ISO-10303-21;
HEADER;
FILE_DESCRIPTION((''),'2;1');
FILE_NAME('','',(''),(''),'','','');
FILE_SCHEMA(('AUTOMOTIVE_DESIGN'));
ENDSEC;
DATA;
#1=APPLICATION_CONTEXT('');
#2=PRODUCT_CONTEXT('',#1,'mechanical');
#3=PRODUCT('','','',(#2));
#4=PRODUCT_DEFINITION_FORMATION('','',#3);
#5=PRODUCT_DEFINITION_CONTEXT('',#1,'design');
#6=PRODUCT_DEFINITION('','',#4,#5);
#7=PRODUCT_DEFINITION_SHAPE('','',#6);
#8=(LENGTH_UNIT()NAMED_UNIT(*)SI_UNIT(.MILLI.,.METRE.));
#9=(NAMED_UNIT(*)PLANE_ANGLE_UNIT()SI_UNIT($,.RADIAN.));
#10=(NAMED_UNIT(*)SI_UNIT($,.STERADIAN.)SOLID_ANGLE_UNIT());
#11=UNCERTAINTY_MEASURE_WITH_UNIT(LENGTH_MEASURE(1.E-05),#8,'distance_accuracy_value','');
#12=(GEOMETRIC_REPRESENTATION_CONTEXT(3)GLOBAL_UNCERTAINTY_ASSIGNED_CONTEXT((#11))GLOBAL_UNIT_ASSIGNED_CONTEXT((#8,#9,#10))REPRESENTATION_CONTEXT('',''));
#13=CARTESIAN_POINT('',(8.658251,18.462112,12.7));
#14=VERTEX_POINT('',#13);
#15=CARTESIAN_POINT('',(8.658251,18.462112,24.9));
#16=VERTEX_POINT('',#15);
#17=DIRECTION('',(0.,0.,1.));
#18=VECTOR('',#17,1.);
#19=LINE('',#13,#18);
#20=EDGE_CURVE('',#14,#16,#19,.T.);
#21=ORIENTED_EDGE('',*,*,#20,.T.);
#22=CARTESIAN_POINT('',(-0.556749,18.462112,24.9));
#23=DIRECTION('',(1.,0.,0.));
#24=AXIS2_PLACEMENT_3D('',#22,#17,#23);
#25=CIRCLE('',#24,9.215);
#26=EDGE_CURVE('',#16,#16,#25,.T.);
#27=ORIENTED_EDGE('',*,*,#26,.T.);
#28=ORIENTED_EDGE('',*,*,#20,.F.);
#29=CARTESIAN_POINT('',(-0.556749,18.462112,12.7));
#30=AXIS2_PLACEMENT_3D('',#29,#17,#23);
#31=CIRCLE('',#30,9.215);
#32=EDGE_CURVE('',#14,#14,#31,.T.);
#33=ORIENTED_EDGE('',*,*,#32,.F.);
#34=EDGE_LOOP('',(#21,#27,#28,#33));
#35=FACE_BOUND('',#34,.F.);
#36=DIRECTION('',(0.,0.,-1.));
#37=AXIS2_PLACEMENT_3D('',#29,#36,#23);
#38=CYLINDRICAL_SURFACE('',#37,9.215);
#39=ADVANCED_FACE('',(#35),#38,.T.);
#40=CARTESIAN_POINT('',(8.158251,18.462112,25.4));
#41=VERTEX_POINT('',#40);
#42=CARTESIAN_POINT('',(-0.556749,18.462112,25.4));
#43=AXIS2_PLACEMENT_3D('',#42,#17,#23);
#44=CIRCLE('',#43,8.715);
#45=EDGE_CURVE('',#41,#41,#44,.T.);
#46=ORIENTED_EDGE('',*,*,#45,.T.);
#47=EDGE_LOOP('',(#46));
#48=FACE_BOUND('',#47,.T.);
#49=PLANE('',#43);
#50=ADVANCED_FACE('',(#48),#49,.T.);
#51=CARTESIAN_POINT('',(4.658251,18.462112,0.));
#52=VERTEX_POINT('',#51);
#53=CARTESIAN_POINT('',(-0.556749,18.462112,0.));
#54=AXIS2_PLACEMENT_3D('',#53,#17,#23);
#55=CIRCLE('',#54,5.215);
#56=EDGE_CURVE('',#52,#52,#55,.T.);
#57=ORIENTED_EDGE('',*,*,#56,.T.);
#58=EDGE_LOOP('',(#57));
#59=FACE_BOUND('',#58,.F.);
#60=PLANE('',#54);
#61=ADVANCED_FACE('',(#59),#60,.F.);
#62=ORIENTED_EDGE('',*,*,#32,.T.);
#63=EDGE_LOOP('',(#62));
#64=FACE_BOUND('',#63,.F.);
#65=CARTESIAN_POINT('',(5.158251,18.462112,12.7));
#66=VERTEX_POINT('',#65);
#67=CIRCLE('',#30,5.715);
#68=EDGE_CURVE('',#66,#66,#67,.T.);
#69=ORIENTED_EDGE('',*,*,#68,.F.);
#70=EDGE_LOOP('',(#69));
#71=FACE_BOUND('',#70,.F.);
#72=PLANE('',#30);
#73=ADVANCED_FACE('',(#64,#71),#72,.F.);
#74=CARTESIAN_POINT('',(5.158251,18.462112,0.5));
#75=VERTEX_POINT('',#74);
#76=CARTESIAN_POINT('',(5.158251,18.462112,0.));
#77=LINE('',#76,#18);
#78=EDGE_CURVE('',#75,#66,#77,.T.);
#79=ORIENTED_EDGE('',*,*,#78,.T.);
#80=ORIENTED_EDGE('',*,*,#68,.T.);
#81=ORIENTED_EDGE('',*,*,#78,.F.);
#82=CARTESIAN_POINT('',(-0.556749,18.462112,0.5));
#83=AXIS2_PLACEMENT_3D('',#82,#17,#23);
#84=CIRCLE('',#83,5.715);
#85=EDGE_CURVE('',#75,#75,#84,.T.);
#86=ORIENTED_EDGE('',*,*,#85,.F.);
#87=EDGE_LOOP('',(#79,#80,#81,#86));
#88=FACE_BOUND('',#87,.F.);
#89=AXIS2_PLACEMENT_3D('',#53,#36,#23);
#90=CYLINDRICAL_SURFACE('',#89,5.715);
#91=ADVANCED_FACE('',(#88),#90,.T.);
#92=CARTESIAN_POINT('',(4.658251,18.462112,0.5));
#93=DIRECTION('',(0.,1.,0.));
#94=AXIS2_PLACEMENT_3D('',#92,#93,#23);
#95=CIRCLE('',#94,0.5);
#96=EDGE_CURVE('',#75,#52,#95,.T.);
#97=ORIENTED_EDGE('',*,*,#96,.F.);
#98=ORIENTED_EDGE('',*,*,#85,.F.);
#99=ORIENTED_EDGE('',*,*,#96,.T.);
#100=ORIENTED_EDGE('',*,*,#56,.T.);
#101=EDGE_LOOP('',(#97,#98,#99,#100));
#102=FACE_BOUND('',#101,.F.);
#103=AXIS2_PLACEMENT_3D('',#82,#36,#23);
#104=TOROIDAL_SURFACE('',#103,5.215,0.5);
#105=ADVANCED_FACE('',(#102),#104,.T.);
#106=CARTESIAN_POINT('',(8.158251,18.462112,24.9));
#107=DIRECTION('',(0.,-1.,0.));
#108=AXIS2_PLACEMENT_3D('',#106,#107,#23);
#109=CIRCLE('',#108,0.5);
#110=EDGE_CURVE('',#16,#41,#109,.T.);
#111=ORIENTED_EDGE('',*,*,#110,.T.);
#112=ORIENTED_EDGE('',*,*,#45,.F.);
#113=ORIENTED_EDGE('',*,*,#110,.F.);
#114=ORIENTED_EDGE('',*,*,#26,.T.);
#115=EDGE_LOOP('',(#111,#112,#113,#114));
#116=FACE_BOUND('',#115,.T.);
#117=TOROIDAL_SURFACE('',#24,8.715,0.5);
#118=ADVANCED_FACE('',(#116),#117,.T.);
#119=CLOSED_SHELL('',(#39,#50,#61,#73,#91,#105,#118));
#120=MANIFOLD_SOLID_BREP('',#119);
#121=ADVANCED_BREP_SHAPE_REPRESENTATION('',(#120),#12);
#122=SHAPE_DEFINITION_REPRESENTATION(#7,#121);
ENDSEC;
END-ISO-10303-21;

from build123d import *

# Parameters (mm, degrees)
F0_R     = 5.715
F1_DEPTH = 12.7
F3_R     = 9.215
F4_DEPTH = 12.7
F5_R     = 0.5
F6_R     = 0.5


with BuildPart() as f1:
    # F0 (on Top) → F1 (new body)
    with BuildSketch(Plane.XY):
        with Locations((-0.556749, 18.462112)):
            Circle(F0_R)
    extrude(amount=F1_DEPTH)

    # F3 (on offset) → F4 (join)
    with BuildSketch(Plane.XY.offset(12.7)):
        with Locations((-0.556749, 18.462112)):
            Circle(F3_R)
    extrude(amount=F4_DEPTH)

    # F5
    f5_edges = [f1.edges().sort_by_distance(p)[0] for p in [
        (-9.771749, 18.462112, 25.4),
    ]]
    fillet(f5_edges, radius=F5_R)

    # F6
    f6_edges = [f1.edges().sort_by_distance(p)[0] for p in [
        (-6.271749, 18.462112, 0),
    ]]
    fillet(f6_edges, radius=F6_R)


solid = f1.part
